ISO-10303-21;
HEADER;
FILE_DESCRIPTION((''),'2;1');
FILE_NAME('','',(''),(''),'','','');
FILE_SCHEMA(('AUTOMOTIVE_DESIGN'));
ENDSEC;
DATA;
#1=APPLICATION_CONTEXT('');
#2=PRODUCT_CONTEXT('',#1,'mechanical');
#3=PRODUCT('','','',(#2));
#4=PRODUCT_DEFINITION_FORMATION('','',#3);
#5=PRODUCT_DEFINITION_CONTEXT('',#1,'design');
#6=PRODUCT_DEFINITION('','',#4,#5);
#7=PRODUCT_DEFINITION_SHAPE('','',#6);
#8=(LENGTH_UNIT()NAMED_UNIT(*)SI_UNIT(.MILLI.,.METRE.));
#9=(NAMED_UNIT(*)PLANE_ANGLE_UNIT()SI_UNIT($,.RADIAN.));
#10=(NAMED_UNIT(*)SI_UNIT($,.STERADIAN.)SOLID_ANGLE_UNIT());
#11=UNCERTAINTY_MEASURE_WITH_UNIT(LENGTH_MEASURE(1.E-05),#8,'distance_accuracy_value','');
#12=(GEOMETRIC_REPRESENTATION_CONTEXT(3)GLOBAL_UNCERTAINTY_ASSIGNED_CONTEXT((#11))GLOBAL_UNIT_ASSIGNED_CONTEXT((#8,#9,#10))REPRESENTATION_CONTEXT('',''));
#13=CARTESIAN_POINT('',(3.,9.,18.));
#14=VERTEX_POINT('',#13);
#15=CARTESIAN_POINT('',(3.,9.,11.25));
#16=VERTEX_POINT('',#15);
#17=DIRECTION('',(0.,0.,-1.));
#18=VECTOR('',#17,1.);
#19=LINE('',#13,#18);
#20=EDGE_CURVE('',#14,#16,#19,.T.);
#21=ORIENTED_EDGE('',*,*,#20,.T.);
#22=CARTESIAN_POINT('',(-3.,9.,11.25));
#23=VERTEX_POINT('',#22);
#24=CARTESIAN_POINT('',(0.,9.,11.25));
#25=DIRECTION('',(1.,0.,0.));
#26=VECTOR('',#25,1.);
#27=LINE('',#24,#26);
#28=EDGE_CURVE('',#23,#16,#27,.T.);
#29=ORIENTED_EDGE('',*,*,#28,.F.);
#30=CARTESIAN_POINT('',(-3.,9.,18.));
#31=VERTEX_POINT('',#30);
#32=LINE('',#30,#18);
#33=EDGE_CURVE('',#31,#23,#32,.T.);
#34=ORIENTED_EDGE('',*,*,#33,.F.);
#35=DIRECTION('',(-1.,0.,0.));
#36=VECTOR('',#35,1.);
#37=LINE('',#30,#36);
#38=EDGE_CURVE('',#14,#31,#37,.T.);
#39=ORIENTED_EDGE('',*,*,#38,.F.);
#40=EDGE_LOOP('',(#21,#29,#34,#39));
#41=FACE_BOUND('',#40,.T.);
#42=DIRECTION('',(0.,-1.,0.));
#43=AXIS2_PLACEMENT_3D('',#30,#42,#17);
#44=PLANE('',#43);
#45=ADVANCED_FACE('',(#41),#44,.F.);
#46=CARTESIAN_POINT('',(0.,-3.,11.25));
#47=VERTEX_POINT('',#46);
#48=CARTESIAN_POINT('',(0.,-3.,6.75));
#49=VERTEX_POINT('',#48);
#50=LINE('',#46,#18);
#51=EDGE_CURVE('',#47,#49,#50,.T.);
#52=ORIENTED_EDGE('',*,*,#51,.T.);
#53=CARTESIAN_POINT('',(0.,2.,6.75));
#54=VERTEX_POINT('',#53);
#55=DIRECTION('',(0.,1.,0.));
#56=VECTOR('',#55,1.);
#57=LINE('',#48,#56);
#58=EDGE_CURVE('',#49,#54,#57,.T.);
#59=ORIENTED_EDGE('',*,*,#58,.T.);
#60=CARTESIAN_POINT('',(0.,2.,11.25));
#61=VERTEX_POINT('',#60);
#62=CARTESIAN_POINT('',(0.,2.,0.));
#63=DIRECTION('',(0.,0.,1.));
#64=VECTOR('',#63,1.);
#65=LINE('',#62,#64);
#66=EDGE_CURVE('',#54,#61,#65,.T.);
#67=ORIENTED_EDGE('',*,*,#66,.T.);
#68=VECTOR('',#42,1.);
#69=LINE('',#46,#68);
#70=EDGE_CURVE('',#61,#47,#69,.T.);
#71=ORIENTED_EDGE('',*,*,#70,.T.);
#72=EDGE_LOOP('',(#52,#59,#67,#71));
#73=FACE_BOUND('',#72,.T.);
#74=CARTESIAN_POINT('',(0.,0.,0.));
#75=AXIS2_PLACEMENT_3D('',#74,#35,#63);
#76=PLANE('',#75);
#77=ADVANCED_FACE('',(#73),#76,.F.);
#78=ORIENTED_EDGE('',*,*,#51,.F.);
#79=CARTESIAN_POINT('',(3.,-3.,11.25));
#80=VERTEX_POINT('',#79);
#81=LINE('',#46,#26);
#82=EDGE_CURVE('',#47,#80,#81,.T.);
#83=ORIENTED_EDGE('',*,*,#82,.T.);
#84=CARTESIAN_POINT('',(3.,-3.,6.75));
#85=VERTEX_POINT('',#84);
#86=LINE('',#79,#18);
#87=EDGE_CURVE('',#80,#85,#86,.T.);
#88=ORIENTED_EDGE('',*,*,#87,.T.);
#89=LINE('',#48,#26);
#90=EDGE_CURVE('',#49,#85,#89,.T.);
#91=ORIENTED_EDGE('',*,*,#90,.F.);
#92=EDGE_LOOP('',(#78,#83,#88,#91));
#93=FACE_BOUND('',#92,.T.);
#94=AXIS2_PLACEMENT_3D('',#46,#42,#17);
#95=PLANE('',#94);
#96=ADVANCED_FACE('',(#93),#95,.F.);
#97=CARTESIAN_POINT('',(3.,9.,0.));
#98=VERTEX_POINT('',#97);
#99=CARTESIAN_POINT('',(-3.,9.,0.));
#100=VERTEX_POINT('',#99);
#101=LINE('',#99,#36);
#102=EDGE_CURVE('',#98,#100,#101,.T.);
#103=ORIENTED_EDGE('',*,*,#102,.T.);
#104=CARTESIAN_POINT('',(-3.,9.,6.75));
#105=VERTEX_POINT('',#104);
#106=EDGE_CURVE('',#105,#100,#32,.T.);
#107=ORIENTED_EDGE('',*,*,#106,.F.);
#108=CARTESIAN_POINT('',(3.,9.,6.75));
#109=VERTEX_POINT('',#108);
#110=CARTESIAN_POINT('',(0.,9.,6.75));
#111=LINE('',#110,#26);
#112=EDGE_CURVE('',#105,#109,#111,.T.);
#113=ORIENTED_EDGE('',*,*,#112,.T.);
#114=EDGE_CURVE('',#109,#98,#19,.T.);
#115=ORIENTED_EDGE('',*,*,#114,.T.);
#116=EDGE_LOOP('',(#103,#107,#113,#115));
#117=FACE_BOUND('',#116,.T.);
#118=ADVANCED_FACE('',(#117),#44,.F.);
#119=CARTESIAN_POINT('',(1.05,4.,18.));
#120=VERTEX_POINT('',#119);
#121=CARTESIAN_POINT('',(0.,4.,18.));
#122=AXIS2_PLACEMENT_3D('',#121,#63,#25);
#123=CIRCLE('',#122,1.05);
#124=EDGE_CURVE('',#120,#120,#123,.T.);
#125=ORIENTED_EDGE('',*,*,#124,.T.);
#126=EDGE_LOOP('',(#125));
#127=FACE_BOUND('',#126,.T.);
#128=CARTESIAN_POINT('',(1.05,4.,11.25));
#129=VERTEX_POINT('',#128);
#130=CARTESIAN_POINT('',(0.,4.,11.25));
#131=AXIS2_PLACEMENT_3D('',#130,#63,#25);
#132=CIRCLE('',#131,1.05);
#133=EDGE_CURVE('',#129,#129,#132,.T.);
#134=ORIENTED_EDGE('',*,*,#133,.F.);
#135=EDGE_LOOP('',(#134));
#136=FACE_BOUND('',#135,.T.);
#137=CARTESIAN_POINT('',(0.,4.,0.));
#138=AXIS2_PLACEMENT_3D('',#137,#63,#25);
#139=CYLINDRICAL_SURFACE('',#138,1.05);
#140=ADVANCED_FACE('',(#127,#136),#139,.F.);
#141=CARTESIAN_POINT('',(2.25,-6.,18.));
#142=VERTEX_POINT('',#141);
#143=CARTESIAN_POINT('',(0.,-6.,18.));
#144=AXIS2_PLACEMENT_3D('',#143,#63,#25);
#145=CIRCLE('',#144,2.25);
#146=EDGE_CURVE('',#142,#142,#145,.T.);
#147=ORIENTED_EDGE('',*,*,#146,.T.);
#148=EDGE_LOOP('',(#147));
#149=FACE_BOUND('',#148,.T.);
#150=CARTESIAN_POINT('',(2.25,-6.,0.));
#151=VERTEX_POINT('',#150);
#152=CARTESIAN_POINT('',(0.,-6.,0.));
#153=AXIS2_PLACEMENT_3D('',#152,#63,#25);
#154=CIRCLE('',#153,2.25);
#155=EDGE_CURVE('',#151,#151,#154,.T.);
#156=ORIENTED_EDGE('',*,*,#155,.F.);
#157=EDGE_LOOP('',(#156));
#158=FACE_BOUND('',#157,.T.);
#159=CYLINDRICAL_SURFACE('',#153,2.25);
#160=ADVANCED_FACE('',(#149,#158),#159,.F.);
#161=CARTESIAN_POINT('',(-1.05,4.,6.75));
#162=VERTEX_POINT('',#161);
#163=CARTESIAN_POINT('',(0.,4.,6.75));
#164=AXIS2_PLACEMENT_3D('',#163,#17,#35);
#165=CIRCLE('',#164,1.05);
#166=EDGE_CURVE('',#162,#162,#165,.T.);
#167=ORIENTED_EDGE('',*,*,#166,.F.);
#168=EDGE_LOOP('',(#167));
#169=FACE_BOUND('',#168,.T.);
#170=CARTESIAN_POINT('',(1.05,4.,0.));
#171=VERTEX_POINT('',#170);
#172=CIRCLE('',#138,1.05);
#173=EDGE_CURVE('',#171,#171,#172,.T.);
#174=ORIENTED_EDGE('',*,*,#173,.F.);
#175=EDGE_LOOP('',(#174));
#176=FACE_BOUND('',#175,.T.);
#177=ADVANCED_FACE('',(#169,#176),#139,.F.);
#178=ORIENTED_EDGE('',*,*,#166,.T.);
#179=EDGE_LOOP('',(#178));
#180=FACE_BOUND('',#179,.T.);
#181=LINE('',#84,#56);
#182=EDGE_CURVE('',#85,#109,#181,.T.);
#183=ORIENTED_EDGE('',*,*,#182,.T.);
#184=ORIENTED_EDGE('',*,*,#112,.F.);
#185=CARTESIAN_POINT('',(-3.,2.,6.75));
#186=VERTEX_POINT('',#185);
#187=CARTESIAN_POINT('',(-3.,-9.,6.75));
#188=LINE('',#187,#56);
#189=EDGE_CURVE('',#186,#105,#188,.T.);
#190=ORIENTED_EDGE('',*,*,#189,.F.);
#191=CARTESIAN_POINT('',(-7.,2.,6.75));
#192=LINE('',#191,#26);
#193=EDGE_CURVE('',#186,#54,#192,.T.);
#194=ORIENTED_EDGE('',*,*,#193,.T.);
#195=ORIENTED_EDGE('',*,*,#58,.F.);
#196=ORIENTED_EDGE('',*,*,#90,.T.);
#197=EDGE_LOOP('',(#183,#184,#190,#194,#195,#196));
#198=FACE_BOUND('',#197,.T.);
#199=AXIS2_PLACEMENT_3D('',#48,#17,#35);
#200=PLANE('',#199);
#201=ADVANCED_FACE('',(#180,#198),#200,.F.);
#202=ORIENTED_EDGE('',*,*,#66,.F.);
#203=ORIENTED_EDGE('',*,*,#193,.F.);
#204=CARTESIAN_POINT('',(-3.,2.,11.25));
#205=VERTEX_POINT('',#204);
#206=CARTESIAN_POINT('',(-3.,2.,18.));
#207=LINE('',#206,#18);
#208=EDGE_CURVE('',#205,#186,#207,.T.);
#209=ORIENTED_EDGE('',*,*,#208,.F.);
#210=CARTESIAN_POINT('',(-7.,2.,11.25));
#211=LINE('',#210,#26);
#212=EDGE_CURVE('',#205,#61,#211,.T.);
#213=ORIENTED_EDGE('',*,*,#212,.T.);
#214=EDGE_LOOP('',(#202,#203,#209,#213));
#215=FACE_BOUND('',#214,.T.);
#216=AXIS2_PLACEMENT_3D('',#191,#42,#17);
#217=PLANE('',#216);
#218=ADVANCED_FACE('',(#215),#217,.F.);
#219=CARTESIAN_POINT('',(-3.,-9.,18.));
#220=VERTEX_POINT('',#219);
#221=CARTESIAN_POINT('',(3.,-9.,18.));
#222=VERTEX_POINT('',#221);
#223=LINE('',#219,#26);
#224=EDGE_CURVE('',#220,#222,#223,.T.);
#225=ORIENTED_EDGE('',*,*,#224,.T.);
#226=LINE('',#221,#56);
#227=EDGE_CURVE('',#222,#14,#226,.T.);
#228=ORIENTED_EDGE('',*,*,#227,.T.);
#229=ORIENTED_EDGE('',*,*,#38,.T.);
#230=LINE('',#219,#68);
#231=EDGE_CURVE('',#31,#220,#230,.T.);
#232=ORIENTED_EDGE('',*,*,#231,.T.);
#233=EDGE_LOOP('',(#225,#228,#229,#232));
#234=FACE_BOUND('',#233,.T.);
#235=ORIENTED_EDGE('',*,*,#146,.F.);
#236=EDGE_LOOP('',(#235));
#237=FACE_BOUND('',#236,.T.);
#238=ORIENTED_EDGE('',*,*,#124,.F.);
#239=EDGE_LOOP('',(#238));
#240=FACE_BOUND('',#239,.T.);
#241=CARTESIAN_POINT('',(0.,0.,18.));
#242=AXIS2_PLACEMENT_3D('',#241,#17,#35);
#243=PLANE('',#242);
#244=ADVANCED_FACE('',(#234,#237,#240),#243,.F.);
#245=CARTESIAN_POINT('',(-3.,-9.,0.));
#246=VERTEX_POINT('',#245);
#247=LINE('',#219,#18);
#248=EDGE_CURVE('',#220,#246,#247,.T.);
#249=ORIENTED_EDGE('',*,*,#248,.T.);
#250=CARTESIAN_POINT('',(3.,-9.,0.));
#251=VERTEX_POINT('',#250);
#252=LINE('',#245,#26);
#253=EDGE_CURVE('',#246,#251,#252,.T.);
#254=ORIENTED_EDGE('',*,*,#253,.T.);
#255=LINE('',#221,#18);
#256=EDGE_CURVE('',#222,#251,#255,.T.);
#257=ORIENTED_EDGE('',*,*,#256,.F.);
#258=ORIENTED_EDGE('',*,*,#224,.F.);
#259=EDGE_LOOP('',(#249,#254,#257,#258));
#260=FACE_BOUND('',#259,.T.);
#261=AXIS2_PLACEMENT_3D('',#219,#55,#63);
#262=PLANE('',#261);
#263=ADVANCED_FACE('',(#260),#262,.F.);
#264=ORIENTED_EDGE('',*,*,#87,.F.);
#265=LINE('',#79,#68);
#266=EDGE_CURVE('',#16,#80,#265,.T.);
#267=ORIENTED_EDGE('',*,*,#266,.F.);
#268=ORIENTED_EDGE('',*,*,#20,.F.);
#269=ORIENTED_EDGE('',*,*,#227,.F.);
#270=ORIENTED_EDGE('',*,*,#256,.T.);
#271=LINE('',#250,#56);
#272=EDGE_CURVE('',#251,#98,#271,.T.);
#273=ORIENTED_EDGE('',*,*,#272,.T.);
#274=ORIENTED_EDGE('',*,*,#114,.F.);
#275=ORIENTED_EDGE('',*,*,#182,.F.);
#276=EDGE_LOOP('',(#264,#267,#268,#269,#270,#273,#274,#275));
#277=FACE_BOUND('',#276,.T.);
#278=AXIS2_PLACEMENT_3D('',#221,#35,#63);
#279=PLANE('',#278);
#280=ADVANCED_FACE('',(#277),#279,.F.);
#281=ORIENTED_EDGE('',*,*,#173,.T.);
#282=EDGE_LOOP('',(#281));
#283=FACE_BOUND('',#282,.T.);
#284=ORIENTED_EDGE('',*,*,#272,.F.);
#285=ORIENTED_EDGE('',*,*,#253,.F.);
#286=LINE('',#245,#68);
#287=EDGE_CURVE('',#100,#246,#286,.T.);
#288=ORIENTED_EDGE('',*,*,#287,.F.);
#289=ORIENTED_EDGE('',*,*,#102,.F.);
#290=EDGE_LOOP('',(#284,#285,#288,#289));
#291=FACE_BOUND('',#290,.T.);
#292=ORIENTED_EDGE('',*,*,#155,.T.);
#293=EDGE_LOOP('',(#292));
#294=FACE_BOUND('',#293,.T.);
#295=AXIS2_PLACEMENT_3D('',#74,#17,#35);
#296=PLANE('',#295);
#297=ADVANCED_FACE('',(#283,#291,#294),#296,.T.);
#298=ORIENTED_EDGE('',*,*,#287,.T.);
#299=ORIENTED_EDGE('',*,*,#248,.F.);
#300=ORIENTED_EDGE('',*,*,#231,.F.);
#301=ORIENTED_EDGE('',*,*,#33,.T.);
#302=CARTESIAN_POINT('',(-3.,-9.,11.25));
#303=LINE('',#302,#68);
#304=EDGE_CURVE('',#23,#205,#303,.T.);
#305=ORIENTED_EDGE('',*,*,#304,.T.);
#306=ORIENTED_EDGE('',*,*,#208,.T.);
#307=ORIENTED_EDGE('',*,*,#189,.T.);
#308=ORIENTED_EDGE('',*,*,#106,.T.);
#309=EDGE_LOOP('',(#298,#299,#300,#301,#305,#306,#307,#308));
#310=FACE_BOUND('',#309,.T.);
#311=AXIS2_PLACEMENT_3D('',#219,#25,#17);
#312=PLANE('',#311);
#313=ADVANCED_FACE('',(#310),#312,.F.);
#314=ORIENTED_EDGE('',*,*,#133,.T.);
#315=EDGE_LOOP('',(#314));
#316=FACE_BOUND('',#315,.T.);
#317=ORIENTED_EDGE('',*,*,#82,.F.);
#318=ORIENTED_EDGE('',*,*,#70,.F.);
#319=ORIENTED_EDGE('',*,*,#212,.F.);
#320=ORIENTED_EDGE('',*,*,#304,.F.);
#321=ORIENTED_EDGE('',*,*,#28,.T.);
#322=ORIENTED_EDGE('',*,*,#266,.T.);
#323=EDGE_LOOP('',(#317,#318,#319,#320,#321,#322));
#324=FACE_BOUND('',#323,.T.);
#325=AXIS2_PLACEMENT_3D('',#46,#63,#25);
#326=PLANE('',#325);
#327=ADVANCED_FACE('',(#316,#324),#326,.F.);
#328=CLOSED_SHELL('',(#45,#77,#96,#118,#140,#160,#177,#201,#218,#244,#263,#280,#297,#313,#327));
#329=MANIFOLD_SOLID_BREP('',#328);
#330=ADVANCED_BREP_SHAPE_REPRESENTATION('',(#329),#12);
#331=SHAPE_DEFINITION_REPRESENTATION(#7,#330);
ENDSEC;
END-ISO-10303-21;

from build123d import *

# Parameters (mm, degrees)
SKETCH2_W           = 6
SKETCH2_H           = 18
BOSS_EXTRUDE1_DEPTH = 18
SKETCH3_R           = 2.25
CUT_EXTRUDE1_DEPTH  = 21.346989949
SKETCH4_W           = 4.5
SKETCH4_H           = 12
CUT_EXTRUDE2_DEPTH  = 3
SKETCH5_R           = 1.05
CUT_EXTRUDE3_DEPTH  = 21.346989949
SKETCH8_W           = 4.5
SKETCH8_H           = 7
CUT_EXTRUDE6_DEPTH  = 10


with BuildPart() as part:
    # Sketch2 → Boss-Extrude1 (new body)
    with BuildSketch(Plane.XY):
        Rectangle(SKETCH2_W, SKETCH2_H)
    extrude(amount=BOSS_EXTRUDE1_DEPTH)

    # Sketch3 → Cut-Extrude1 (cut, through all)
    with BuildSketch(Plane.XY.offset(18)):
        with Locations((0, -6)):
            Circle(SKETCH3_R)
    extrude(amount=-CUT_EXTRUDE1_DEPTH, mode=Mode.SUBTRACT)

    # Sketch4 → Cut-Extrude2 (cut)
    with BuildSketch(Plane(origin=(3, 0, 0), x_dir=(0, 0, -1), z_dir=(1, 0, 0))):
        with Locations((-9, 3)):
            Rectangle(SKETCH4_W, SKETCH4_H)
    extrude(amount=-CUT_EXTRUDE2_DEPTH, mode=Mode.SUBTRACT)

    # Sketch5 → Cut-Extrude3 (cut, through all)
    with BuildSketch(Plane.XY.offset(18)):
        with Locations((0, 4)):
            Circle(SKETCH5_R)
    extrude(amount=-CUT_EXTRUDE3_DEPTH, mode=Mode.SUBTRACT)

    # Sketch8 → Cut-Extrude6 (cut)
    with BuildSketch(Plane(origin=(3, 0, 0), x_dir=(0, 0, -1), z_dir=(1, 0, 0))):
        with Locations((-9, 5.5)):
            Rectangle(SKETCH8_W, SKETCH8_H)
    extrude(amount=-CUT_EXTRUDE6_DEPTH, mode=Mode.SUBTRACT)


solid = part.part
